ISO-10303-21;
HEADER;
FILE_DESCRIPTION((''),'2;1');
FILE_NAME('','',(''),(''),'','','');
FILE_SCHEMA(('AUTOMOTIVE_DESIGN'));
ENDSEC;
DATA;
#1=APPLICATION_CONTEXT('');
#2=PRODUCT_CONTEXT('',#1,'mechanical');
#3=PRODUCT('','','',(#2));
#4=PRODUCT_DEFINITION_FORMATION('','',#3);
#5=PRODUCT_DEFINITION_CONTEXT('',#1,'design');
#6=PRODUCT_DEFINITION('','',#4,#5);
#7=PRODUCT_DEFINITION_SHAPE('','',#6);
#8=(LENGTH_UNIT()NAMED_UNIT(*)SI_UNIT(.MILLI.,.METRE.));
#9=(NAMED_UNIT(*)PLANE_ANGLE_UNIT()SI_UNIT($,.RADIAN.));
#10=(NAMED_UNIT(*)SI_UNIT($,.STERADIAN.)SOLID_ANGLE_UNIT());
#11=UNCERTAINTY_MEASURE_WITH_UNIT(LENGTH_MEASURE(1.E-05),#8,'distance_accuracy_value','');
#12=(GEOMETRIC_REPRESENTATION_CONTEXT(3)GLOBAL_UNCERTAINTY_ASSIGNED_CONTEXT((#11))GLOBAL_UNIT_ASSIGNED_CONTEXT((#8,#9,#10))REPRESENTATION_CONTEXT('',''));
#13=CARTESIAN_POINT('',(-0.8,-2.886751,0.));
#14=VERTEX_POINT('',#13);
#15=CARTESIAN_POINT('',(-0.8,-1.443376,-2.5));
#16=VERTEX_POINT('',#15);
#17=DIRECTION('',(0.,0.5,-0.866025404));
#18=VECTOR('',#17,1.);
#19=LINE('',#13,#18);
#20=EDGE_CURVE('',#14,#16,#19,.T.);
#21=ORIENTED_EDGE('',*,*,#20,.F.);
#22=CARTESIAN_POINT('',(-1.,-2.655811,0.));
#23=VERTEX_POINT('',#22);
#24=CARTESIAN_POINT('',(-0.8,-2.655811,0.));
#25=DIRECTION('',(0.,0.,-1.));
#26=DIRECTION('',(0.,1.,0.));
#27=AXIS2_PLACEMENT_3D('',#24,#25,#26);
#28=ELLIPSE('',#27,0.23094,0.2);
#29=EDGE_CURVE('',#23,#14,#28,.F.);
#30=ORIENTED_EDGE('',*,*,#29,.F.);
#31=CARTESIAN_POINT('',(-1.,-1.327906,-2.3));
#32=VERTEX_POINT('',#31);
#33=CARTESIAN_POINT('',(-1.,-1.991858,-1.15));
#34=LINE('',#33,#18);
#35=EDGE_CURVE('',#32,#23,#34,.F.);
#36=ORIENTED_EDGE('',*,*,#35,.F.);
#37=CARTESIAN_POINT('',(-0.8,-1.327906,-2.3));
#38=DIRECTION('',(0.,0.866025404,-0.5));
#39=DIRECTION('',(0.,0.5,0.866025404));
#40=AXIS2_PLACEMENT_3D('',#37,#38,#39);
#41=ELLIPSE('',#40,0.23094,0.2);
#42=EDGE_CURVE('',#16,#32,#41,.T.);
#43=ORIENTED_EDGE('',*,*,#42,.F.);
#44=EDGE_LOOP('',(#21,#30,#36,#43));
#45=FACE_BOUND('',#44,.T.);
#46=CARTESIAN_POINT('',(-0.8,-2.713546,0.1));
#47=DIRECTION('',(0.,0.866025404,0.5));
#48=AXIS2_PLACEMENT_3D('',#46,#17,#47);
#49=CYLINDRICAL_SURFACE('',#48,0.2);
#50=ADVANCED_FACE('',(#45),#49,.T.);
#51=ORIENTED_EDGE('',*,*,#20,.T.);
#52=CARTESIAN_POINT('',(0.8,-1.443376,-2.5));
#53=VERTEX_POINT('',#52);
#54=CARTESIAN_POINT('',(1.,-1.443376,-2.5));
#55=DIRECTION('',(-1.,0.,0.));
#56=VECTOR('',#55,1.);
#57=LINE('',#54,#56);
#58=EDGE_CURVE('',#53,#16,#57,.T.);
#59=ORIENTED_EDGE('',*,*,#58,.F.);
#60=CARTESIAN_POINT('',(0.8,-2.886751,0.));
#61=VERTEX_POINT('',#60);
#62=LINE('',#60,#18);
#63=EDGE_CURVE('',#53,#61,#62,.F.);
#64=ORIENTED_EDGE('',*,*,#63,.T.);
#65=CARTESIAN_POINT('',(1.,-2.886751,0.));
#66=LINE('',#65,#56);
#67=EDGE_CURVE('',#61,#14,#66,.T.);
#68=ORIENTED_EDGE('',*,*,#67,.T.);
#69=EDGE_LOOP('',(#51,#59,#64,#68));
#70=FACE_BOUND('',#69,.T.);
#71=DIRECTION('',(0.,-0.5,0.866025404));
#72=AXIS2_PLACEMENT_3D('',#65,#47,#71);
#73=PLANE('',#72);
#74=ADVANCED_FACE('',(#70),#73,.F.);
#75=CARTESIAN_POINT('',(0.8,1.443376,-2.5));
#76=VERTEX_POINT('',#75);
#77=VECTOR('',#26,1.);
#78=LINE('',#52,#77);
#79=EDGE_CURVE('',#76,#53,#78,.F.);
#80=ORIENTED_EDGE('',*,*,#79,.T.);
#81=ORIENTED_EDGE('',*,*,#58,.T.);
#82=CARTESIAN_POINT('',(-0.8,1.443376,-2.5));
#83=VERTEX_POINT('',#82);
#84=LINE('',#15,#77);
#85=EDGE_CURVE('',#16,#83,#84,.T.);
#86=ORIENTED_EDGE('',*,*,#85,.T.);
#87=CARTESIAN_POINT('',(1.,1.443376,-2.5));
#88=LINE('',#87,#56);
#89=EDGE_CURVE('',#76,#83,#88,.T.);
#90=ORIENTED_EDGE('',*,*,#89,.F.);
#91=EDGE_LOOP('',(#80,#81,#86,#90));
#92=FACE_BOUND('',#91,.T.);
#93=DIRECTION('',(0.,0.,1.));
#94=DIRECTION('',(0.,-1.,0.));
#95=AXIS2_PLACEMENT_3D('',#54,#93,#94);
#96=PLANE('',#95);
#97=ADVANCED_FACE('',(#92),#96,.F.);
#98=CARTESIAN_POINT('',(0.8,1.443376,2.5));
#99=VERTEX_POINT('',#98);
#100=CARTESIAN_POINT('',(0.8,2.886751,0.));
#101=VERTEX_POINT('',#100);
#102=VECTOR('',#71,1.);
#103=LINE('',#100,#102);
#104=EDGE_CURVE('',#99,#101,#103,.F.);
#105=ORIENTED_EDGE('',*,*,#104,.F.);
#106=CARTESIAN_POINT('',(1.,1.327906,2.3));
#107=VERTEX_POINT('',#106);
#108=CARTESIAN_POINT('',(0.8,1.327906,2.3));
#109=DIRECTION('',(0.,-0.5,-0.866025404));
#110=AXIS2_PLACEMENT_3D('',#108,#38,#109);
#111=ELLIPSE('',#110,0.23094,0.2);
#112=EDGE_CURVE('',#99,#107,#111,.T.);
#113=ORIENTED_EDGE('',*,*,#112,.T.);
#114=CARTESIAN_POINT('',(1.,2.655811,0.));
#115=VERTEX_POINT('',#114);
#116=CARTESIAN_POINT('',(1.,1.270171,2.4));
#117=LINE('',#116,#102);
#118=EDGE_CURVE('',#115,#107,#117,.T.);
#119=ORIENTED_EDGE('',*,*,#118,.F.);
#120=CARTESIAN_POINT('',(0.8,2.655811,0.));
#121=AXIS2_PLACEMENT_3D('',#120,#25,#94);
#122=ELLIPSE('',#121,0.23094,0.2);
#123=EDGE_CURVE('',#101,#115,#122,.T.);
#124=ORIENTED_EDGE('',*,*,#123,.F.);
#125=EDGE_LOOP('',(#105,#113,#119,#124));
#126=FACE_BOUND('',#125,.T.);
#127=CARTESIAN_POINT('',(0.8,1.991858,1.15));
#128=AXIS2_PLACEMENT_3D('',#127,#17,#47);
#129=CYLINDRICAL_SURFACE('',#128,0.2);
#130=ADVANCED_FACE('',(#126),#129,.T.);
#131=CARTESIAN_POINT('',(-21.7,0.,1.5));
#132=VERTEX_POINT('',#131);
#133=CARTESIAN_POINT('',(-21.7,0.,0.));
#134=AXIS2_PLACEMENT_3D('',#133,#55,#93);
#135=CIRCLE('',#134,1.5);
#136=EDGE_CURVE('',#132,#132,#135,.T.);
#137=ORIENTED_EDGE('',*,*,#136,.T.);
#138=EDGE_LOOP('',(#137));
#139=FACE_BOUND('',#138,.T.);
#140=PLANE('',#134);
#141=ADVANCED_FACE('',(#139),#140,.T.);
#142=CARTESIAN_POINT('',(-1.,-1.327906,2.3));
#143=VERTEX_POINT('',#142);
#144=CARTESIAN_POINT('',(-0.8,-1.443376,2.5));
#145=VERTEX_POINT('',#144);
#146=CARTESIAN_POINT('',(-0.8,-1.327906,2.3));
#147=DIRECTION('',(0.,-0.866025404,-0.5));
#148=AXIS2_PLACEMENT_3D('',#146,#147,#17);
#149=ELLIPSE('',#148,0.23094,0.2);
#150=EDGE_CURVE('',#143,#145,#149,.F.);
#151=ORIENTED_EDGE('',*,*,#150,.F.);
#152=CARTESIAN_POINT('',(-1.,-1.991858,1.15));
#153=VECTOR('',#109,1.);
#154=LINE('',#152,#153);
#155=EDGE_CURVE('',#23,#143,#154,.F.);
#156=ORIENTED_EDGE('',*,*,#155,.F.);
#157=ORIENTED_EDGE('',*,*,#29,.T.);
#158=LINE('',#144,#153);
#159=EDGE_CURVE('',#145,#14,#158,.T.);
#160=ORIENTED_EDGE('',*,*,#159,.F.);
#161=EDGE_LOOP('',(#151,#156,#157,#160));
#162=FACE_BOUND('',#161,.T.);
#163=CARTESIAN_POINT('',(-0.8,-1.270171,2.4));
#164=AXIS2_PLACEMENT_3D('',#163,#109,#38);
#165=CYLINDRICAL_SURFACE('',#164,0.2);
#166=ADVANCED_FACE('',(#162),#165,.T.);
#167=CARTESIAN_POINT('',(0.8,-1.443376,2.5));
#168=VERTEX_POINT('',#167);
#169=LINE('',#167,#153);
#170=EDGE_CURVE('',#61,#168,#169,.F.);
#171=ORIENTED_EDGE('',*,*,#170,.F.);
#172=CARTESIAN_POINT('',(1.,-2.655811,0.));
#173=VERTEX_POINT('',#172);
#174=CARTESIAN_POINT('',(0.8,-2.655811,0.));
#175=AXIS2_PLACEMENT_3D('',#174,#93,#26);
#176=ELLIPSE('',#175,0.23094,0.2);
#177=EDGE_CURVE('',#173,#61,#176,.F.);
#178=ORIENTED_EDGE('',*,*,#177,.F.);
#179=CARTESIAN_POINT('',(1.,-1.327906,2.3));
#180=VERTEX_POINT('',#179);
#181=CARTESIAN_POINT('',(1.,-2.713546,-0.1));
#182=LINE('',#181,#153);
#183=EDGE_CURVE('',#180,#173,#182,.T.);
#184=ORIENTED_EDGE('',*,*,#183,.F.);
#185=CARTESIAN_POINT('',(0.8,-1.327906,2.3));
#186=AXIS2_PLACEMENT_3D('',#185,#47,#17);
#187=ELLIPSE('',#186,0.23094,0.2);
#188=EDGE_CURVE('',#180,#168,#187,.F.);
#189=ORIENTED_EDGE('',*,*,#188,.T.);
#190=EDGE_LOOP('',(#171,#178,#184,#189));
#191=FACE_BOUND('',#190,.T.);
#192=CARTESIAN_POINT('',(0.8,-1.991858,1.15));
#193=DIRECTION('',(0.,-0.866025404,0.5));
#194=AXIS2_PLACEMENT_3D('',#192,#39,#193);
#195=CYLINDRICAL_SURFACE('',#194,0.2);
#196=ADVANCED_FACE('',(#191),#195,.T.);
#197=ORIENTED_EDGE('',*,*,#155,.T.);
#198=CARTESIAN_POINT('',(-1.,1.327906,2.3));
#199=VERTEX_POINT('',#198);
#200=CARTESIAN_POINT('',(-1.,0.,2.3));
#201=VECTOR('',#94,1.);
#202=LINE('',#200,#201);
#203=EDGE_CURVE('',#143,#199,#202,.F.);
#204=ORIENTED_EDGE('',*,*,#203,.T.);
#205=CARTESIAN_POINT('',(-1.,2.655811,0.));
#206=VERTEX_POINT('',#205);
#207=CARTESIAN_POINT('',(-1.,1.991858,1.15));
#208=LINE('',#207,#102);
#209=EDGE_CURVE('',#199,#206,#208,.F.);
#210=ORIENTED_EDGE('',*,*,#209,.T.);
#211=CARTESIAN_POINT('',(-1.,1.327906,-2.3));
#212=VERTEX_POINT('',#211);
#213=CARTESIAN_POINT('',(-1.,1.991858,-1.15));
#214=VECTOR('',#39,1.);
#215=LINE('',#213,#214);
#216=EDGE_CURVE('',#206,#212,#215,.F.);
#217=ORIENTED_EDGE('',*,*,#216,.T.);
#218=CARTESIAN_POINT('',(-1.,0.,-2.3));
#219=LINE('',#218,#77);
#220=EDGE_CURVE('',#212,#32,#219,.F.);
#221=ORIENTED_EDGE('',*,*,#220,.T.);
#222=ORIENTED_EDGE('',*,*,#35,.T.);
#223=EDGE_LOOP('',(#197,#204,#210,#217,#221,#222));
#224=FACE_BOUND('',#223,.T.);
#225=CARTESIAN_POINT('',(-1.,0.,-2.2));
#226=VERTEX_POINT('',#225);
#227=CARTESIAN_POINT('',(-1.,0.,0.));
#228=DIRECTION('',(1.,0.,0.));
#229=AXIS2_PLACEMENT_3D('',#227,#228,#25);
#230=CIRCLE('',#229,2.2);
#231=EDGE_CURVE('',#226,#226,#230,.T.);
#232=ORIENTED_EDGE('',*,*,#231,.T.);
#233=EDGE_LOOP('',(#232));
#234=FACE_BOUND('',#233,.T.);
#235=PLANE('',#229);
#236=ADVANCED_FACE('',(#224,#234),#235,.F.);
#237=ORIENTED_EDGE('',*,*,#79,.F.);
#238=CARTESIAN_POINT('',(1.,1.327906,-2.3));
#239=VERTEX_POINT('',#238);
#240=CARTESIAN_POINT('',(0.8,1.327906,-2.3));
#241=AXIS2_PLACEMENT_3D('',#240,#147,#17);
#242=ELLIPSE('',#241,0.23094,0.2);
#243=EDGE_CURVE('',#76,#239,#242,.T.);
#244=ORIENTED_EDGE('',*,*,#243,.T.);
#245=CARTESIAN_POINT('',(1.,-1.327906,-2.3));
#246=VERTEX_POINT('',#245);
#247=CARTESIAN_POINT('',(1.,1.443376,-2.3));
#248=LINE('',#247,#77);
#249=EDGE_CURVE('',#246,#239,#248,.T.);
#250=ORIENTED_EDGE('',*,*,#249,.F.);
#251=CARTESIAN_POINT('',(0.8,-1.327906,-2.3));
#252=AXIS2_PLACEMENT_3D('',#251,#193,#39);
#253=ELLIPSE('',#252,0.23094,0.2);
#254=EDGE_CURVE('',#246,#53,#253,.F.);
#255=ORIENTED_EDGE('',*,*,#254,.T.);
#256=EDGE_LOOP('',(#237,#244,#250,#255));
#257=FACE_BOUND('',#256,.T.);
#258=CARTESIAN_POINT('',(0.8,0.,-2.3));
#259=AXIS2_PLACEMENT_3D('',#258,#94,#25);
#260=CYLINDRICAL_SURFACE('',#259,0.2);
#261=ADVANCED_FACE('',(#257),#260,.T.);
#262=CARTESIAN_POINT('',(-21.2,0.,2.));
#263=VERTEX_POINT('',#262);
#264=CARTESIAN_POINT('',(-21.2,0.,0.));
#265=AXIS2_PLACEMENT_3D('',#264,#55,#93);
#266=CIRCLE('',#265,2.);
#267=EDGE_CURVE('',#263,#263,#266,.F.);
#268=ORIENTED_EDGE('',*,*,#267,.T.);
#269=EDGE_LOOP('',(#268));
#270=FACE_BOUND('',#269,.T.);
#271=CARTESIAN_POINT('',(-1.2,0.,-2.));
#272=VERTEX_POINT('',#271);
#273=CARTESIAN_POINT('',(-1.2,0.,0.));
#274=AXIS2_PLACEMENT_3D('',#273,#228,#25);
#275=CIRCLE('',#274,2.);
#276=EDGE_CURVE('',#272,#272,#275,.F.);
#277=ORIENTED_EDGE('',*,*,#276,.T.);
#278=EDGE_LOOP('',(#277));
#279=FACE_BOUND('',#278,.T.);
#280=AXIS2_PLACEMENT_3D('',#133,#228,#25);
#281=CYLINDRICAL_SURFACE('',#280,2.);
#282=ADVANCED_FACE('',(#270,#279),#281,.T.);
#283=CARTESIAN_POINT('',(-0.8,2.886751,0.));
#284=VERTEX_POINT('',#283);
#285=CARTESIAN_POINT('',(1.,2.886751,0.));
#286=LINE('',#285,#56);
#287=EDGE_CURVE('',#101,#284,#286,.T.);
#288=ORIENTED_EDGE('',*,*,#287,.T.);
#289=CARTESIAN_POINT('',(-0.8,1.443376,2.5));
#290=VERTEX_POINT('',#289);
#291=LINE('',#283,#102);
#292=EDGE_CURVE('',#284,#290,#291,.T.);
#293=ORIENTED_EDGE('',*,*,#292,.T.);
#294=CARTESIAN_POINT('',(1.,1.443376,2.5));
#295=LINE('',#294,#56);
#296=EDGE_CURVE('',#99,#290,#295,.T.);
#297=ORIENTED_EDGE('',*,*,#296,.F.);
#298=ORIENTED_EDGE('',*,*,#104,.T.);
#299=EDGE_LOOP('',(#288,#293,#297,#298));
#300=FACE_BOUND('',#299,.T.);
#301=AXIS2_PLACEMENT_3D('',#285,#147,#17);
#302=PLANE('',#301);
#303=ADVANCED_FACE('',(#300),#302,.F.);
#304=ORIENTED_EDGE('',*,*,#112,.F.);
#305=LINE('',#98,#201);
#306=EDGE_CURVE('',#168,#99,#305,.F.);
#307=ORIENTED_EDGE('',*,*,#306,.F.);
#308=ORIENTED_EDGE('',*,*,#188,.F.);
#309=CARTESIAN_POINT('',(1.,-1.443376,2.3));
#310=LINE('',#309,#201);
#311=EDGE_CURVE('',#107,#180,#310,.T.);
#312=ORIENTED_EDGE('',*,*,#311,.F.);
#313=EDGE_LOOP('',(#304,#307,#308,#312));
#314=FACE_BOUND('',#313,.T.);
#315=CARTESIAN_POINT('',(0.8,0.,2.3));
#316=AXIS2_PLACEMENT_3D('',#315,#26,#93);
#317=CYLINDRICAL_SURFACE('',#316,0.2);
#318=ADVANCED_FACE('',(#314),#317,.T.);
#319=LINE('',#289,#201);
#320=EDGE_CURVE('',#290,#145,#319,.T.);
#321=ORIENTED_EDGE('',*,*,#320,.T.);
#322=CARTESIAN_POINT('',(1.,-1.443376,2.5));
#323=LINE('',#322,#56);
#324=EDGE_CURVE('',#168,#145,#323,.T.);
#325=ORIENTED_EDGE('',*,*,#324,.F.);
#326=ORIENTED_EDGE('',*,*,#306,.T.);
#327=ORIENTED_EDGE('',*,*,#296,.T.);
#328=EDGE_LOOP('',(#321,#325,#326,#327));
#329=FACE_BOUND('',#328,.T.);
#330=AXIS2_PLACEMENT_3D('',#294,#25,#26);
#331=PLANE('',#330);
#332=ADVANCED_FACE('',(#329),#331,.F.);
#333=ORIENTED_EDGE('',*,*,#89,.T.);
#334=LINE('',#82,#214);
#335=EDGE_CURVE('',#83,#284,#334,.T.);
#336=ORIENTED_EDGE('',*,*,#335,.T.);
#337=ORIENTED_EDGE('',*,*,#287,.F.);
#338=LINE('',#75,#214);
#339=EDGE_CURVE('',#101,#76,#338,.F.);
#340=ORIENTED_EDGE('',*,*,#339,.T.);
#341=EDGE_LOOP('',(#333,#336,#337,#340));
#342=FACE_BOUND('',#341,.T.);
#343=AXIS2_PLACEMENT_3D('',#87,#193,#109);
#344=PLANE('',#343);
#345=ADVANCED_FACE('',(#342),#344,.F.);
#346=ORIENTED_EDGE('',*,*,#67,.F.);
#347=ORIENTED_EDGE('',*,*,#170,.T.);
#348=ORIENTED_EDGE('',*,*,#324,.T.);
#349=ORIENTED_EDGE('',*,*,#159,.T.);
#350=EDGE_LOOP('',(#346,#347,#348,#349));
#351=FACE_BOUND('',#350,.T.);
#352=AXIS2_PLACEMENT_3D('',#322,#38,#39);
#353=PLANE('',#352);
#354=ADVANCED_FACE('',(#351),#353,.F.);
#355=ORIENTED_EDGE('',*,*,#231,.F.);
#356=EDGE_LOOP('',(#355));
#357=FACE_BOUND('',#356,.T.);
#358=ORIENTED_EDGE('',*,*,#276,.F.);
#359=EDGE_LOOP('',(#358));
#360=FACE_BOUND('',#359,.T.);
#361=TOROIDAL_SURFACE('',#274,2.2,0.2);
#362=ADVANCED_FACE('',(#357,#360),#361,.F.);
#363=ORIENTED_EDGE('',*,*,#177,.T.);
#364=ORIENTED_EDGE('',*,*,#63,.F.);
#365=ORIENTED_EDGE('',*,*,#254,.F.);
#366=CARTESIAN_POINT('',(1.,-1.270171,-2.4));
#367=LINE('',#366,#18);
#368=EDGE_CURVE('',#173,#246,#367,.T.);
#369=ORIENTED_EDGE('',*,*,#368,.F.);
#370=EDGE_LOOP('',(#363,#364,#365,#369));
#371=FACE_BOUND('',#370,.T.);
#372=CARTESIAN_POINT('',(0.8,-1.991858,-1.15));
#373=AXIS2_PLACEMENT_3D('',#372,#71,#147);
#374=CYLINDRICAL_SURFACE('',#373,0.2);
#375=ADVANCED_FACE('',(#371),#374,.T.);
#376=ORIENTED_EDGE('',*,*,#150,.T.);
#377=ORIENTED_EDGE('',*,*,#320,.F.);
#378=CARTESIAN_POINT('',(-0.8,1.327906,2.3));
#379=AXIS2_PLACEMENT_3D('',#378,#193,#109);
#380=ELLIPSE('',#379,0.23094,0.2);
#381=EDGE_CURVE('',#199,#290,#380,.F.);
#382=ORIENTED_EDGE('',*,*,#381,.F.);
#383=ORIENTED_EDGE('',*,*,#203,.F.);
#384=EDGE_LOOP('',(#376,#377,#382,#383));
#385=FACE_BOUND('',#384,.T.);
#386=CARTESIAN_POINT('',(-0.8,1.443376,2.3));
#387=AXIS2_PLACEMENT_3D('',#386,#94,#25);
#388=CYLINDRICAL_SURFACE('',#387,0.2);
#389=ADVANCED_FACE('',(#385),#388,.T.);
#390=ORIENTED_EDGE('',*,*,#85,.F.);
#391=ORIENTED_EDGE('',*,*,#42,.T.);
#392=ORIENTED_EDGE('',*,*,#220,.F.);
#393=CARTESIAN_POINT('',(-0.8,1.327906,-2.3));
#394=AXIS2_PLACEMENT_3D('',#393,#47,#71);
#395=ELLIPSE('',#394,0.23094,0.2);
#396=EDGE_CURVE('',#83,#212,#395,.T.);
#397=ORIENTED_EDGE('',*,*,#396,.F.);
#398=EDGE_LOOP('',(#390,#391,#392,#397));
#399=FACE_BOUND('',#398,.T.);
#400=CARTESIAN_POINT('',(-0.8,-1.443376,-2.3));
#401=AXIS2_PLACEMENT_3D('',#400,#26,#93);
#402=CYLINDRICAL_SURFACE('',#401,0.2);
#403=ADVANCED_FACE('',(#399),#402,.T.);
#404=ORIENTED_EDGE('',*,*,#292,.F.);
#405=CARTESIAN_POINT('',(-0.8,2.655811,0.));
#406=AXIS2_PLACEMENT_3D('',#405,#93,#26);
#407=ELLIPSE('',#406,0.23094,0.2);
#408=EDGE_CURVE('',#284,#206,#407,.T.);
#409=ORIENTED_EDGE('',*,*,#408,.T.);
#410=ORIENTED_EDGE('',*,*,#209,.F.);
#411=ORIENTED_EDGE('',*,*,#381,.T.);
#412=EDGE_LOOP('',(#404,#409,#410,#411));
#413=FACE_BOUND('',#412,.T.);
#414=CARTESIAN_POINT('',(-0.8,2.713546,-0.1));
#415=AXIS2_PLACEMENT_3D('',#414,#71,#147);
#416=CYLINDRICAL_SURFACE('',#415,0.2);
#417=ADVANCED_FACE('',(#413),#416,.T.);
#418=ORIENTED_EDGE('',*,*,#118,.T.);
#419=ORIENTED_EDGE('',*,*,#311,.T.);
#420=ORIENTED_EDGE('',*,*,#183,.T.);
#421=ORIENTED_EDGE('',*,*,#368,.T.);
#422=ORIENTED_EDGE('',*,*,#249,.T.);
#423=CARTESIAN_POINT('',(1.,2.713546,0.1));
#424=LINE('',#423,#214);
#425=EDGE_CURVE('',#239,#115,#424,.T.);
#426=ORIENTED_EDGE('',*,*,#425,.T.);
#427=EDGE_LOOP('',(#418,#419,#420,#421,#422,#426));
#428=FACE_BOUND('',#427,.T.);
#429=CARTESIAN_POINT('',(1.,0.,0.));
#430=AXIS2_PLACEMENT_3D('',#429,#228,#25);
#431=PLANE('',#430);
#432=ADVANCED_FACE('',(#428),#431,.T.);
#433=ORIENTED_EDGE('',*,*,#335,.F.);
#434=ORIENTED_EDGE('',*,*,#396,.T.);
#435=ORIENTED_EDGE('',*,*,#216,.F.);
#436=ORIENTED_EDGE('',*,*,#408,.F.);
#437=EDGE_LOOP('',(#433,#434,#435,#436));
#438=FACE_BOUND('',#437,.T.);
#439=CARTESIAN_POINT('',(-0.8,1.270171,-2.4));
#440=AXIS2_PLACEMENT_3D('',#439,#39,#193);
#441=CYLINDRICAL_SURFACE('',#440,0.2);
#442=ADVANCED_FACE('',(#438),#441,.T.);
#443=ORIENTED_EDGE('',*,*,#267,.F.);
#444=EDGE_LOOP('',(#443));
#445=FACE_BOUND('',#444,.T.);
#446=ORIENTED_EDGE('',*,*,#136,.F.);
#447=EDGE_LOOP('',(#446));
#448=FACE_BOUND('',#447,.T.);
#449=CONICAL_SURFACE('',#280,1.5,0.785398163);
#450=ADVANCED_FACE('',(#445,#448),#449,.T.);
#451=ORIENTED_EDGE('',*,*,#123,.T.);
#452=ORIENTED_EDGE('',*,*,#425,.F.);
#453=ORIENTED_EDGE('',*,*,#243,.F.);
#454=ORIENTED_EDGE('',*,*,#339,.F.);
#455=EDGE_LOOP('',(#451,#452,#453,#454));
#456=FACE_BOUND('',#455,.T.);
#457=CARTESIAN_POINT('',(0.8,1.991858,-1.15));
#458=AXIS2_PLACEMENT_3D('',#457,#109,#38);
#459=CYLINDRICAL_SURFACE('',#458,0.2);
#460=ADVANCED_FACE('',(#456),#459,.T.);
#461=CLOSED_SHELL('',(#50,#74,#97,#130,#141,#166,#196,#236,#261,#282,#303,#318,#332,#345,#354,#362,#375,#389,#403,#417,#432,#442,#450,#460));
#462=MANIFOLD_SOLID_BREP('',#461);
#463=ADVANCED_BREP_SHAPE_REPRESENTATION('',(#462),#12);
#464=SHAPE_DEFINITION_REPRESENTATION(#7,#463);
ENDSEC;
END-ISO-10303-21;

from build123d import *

# Parameters (mm, degrees)
BOSS_EXTRUDE1_DEPTH = 1
FILLET1_R           = 0.2
SKETCH2_R           = 2
BOSS_EXTRUDE2_DEPTH = 20.7
CHAMFER1_SIZE       = 0.5
FILLET2_R           = 0.2


with BuildPart() as part:
    # Sketch1 → Boss-Extrude1 (new, symmetric)
    with BuildSketch(Plane(origin=(0, 0, 0), x_dir=(0, 0, -1), z_dir=(1, 0, 0))):
        Polygon((0, 2.886751346), (-2.5, 1.443375673), (-2.5, -1.443375673), (0, -2.886751346), (2.5, -1.443375673), (2.5, 1.443375673), align=None)
    extrude(amount=BOSS_EXTRUDE1_DEPTH, both=True)

    # Fillet1
    fillet1_edges = [part.edges().sort_by_distance(p)[0] for p in [
        (1, 0, 2.5),
        (1, -2.165063509, 1.25),
        (1, -2.165063509, -1.25),
        (1, 0, -2.5),
        (1, 2.165063509, -1.25),
        (-1, 0, -2.5),
        (-1, -2.165063509, -1.25),
        (-1, -2.165063509, 1.25),
        (-1, 0, 2.5),
        (-1, 2.165063509, 1.25),
        (-1, 2.165063509, -1.25),
        (1, 2.165063509, 1.25),
    ]]
    fillet(fillet1_edges, radius=FILLET1_R)

    # Sketch2 → Boss-Extrude2 (add)
    with BuildSketch(Plane.ZY.offset(1)):
        with Locations(Location((0, 0, 0), (0, 0, 180))):
            Circle(SKETCH2_R)
    extrude(amount=BOSS_EXTRUDE2_DEPTH)

    # Chamfer1
    chamfer1_edges = [part.edges().sort_by_distance(p)[0] for p in [
        (-21.7, 0, 2),
    ]]
    chamfer(chamfer1_edges, length=CHAMFER1_SIZE)

    # Fillet2
    fillet2_edges = [part.edges().sort_by_distance(p)[0] for p in [
        (-1, 0, 2),
    ]]
    fillet(fillet2_edges, radius=FILLET2_R)


solid = part.part
